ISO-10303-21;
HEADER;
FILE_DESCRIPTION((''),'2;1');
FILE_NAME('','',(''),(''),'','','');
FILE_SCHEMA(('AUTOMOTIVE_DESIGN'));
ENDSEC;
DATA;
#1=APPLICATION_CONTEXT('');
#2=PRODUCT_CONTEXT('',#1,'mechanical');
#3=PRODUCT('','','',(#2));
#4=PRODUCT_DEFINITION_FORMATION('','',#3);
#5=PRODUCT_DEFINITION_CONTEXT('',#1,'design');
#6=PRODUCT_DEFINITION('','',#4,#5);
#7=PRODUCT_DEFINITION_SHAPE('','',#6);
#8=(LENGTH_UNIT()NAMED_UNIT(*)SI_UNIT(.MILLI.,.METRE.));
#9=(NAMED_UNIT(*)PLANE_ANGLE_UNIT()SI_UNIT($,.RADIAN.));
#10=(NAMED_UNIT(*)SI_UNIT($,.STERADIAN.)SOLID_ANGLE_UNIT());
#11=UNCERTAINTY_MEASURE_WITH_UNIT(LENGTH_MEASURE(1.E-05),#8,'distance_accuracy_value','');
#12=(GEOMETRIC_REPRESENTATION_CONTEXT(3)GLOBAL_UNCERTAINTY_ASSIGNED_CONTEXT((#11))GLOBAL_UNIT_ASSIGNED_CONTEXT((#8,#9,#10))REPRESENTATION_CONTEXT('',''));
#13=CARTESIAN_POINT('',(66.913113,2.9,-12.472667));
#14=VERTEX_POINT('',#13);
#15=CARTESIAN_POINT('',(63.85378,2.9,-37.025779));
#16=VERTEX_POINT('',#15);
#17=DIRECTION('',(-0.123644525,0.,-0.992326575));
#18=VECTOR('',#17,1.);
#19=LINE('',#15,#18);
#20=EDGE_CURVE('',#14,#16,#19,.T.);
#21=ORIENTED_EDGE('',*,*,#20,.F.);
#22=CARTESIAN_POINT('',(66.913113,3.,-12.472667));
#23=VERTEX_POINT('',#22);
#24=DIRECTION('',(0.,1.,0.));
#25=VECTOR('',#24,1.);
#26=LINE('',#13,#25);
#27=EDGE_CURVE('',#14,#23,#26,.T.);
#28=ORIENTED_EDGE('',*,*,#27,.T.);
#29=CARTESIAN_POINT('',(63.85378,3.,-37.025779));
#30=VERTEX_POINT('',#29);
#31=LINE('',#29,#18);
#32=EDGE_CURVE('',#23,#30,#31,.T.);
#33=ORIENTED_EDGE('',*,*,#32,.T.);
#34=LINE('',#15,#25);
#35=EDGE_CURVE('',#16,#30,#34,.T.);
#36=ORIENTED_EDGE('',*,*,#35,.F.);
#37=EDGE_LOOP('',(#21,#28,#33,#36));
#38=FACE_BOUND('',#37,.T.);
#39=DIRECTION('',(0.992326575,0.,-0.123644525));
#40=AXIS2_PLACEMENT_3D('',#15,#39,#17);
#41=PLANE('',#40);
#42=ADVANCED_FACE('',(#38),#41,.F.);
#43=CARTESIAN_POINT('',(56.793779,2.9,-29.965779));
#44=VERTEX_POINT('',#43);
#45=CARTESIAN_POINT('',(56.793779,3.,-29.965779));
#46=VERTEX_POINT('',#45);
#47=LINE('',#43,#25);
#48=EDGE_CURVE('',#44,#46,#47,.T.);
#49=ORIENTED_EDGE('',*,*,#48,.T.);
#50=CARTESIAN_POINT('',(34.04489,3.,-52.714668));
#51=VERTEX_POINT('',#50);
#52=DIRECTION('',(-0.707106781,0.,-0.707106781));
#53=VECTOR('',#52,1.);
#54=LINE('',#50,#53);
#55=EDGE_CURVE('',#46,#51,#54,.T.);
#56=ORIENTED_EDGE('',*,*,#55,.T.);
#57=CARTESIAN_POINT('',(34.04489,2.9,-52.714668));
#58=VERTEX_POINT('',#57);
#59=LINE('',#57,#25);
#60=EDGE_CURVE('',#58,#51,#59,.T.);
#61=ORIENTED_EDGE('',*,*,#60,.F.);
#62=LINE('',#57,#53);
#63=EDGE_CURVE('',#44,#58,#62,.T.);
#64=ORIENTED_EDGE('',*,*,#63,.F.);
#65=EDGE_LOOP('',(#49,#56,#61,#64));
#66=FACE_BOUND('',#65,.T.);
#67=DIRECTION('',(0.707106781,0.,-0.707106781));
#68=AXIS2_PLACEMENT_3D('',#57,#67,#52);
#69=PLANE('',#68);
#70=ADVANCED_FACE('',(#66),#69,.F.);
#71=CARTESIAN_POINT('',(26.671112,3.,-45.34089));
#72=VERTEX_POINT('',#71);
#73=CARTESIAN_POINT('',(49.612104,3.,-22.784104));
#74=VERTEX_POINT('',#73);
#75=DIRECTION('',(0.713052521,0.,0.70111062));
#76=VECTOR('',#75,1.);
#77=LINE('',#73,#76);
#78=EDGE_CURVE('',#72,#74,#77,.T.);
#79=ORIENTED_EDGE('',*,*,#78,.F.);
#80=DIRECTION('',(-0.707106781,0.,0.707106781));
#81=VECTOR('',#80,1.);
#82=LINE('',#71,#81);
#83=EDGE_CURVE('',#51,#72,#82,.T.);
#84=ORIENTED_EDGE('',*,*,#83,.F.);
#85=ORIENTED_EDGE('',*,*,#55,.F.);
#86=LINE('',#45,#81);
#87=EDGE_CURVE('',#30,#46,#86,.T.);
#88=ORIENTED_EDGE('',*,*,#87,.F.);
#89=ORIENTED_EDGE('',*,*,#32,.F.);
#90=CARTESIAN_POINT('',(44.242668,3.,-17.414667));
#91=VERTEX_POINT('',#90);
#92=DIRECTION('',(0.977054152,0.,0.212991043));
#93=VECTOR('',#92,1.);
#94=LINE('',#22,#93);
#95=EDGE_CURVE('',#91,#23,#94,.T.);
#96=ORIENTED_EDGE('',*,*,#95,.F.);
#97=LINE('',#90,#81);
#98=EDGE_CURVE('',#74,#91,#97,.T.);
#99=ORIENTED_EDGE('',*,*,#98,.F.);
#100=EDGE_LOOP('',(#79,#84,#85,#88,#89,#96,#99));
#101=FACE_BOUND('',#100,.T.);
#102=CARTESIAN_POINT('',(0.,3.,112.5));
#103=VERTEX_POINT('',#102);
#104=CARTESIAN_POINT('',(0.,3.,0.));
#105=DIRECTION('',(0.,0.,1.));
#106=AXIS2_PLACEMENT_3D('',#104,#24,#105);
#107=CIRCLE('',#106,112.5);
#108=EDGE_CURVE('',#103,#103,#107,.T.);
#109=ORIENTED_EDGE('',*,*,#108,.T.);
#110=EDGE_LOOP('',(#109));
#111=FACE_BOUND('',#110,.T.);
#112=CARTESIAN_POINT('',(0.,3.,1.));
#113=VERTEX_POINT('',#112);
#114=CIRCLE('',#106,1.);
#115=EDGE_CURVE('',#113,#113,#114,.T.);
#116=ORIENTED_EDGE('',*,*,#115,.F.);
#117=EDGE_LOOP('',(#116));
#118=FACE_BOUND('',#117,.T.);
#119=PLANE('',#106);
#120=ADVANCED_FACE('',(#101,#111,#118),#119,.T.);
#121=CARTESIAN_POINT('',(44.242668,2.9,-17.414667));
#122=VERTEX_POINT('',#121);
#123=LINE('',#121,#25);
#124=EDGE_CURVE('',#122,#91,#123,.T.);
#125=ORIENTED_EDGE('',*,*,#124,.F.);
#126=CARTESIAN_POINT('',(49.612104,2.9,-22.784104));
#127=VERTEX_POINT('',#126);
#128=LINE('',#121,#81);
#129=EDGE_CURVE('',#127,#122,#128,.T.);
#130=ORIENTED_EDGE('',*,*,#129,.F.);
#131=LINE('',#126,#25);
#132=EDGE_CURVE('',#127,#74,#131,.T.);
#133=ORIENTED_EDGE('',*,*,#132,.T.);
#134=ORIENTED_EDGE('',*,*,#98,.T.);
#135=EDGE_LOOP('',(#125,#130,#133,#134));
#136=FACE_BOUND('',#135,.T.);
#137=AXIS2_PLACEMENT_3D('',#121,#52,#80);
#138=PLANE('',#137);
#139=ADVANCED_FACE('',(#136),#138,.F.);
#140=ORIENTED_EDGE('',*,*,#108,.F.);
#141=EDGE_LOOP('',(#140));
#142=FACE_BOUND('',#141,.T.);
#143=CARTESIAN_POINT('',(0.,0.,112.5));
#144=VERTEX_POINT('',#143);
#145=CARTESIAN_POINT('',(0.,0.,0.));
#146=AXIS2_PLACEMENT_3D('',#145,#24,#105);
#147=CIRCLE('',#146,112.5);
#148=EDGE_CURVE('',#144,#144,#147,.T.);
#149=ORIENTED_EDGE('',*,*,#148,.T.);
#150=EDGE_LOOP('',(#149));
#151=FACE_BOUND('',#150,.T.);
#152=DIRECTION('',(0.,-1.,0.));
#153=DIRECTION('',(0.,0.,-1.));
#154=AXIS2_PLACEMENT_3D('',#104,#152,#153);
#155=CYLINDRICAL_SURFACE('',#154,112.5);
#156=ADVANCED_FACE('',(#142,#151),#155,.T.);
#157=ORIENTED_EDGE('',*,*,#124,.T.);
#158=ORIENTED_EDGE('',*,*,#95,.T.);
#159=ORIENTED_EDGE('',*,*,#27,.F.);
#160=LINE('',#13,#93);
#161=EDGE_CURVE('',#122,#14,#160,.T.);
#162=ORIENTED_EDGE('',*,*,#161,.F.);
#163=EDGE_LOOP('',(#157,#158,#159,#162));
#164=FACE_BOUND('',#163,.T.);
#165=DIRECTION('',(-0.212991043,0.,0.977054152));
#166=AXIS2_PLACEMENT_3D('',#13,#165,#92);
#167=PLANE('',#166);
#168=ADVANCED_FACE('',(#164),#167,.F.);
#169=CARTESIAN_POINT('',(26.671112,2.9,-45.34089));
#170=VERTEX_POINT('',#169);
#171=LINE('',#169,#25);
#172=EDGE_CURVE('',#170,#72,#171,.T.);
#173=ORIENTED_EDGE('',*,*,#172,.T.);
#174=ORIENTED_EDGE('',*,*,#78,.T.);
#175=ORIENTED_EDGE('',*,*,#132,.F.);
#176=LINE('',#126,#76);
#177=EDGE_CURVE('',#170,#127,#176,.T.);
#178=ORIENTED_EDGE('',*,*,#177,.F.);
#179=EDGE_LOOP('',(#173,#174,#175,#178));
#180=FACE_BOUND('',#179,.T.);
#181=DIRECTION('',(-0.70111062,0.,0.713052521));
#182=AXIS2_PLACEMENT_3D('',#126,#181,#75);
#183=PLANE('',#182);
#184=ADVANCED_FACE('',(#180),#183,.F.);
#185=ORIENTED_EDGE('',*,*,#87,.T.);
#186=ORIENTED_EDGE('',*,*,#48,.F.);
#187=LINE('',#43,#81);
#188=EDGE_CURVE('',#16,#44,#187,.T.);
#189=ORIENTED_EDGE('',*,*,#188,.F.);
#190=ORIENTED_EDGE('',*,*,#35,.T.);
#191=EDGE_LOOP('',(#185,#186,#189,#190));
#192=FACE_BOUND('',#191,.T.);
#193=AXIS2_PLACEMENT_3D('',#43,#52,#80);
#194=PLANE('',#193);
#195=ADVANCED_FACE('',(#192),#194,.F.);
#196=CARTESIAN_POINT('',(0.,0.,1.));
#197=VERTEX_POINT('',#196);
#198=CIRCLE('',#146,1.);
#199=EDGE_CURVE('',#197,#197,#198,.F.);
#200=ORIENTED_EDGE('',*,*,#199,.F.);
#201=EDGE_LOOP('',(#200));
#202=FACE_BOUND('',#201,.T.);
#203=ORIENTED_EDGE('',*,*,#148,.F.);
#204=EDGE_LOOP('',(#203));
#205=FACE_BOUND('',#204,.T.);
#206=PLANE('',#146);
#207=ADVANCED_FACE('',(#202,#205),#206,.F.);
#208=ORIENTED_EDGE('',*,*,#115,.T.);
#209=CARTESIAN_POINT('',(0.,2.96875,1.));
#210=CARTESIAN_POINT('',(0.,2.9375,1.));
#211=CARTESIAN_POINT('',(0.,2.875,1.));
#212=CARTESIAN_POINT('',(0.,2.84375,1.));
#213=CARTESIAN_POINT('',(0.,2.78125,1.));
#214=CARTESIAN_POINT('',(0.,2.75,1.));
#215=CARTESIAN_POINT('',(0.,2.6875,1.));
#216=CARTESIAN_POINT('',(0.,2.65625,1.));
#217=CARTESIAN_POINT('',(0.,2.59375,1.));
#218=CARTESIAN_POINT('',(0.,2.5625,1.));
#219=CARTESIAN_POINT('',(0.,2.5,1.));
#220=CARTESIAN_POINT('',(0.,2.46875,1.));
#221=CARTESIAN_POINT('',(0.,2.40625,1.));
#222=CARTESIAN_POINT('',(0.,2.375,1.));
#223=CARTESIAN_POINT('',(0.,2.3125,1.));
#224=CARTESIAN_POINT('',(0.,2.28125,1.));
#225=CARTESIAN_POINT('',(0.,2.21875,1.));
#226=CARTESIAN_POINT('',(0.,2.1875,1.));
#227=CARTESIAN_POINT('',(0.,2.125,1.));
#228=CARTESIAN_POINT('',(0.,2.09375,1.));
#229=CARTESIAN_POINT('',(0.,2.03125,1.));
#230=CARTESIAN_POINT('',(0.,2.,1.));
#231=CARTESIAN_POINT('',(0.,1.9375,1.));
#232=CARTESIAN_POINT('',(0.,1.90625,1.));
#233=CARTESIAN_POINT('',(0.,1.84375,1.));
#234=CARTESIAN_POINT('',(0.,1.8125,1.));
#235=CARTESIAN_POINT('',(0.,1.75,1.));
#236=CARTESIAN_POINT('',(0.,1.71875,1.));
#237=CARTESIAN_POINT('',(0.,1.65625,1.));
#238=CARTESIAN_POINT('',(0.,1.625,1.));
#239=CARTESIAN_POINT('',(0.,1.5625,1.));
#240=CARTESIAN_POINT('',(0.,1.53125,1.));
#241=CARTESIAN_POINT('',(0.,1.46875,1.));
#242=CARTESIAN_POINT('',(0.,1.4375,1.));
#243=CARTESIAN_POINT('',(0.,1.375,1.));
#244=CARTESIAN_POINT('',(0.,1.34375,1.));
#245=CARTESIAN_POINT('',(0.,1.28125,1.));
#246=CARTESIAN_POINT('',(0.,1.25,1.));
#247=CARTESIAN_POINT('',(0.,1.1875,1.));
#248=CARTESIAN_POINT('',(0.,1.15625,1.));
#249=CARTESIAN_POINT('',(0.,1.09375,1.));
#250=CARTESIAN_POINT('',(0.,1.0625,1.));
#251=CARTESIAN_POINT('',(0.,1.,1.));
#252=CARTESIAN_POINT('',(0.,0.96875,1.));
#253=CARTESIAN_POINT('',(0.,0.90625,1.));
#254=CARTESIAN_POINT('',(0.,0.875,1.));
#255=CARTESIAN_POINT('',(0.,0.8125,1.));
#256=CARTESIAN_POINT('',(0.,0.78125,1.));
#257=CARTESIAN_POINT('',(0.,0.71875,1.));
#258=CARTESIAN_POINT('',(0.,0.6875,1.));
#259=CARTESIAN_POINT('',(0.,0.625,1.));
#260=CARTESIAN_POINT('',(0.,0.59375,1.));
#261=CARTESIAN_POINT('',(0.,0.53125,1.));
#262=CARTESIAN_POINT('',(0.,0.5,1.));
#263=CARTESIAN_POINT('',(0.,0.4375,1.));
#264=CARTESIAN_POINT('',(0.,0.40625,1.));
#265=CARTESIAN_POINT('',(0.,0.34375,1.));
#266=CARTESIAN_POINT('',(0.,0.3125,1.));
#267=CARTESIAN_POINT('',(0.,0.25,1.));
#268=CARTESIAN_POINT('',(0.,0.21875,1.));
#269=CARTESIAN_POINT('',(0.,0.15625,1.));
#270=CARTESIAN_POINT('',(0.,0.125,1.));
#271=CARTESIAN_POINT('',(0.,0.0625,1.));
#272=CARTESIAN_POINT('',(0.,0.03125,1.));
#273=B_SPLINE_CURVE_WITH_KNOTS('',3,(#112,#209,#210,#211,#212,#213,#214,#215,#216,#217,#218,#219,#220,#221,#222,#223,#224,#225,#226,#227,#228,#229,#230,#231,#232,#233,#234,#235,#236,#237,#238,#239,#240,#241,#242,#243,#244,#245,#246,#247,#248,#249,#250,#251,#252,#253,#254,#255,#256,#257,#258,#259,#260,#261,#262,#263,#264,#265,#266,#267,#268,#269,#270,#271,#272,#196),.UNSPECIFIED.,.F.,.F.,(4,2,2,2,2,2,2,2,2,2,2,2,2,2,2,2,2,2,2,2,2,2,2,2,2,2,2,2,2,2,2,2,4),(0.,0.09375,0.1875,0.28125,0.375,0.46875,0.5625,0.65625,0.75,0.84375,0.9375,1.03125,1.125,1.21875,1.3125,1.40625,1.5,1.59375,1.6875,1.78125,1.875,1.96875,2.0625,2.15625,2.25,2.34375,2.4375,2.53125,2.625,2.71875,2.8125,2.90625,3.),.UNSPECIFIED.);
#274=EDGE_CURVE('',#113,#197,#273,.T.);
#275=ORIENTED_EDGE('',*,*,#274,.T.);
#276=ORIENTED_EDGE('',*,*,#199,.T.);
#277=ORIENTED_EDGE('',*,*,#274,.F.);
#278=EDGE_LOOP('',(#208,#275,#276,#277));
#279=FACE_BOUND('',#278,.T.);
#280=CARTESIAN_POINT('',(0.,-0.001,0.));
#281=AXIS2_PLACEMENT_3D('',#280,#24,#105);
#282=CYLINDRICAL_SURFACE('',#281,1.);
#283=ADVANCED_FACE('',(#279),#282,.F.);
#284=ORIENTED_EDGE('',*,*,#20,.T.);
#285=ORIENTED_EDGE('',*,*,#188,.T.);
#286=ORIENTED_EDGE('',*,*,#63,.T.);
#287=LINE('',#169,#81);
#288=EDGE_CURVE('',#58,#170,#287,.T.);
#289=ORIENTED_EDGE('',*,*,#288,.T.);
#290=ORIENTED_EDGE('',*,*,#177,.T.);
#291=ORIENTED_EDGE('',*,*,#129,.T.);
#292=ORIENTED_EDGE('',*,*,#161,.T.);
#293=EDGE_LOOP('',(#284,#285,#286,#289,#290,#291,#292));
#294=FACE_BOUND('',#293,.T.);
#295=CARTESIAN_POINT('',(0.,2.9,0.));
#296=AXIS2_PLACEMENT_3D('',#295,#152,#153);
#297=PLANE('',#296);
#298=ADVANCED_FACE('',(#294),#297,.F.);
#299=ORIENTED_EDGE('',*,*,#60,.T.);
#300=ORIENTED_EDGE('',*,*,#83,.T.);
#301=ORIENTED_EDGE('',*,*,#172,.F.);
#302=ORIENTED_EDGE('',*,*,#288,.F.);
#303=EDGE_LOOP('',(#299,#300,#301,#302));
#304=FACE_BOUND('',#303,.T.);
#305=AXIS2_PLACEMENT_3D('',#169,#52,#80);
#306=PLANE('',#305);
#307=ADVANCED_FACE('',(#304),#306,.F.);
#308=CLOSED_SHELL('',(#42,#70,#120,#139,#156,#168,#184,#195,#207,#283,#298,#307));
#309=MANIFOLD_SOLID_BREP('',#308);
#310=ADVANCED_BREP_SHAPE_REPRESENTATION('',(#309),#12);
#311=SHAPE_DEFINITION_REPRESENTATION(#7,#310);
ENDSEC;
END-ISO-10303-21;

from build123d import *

# Parameters (mm, degrees)
CROQUIS2_R              = 112.5
SALIENTE_EXTRUIR1_DEPTH = 3
CORTAR_EXTRUIR1_REACH   = 161.127
CROQUIS3_R              = 1
CORTAR_EXTRUIR2_DEPTH   = 0.1


with BuildPart() as part:
    # Croquis2 → Saliente-Extruir1 (new body)
    with BuildSketch(Plane(origin=(0, 0, 0), x_dir=(1, 0, 0), z_dir=(0, 1, 0))):
        with Locations(Location((0, 0, 0), (0, 0, 270))):
            Circle(CROQUIS2_R)
    extrude(amount=SALIENTE_EXTRUIR1_DEPTH)

    # Croquis3 → Cortar-Extruir1 (cut, up to next)
    with BuildSketch(Plane(origin=(0, 3, 0), x_dir=(1, 0, 0), z_dir=(0, 1, 0)), mode=Mode.PRIVATE) as cortar_extruir1_sk1:
        with Locations(Location((0, 0, 0), (0, 0, 270))):
            Circle(CROQUIS3_R)
    cortar_extruir1_tool1 = extrude(cortar_extruir1_sk1.sketch, amount=-CORTAR_EXTRUIR1_REACH, mode=Mode.PRIVATE) & part.part
    add(cortar_extruir1_tool1.solids().sort_by_distance((0, 3, 0))[0], mode=Mode.SUBTRACT)

    # Croquis4 → Cortar-Extruir2 (cut)
    with BuildSketch(Plane(origin=(0, 3, 0), x_dir=(1, 0, 0), z_dir=(0, 1, 0))):
        Polygon((26.671111852, 45.340890148), (34.044889835, 52.714668131), (56.793779355, 29.96577861), (63.853779551, 37.025778806), (66.91311297, 12.472667013), (44.242667896, 17.41466715), (49.612104379, 22.784103634), align=None)
    extrude(amount=-CORTAR_EXTRUIR2_DEPTH, mode=Mode.SUBTRACT)


solid = part.part
